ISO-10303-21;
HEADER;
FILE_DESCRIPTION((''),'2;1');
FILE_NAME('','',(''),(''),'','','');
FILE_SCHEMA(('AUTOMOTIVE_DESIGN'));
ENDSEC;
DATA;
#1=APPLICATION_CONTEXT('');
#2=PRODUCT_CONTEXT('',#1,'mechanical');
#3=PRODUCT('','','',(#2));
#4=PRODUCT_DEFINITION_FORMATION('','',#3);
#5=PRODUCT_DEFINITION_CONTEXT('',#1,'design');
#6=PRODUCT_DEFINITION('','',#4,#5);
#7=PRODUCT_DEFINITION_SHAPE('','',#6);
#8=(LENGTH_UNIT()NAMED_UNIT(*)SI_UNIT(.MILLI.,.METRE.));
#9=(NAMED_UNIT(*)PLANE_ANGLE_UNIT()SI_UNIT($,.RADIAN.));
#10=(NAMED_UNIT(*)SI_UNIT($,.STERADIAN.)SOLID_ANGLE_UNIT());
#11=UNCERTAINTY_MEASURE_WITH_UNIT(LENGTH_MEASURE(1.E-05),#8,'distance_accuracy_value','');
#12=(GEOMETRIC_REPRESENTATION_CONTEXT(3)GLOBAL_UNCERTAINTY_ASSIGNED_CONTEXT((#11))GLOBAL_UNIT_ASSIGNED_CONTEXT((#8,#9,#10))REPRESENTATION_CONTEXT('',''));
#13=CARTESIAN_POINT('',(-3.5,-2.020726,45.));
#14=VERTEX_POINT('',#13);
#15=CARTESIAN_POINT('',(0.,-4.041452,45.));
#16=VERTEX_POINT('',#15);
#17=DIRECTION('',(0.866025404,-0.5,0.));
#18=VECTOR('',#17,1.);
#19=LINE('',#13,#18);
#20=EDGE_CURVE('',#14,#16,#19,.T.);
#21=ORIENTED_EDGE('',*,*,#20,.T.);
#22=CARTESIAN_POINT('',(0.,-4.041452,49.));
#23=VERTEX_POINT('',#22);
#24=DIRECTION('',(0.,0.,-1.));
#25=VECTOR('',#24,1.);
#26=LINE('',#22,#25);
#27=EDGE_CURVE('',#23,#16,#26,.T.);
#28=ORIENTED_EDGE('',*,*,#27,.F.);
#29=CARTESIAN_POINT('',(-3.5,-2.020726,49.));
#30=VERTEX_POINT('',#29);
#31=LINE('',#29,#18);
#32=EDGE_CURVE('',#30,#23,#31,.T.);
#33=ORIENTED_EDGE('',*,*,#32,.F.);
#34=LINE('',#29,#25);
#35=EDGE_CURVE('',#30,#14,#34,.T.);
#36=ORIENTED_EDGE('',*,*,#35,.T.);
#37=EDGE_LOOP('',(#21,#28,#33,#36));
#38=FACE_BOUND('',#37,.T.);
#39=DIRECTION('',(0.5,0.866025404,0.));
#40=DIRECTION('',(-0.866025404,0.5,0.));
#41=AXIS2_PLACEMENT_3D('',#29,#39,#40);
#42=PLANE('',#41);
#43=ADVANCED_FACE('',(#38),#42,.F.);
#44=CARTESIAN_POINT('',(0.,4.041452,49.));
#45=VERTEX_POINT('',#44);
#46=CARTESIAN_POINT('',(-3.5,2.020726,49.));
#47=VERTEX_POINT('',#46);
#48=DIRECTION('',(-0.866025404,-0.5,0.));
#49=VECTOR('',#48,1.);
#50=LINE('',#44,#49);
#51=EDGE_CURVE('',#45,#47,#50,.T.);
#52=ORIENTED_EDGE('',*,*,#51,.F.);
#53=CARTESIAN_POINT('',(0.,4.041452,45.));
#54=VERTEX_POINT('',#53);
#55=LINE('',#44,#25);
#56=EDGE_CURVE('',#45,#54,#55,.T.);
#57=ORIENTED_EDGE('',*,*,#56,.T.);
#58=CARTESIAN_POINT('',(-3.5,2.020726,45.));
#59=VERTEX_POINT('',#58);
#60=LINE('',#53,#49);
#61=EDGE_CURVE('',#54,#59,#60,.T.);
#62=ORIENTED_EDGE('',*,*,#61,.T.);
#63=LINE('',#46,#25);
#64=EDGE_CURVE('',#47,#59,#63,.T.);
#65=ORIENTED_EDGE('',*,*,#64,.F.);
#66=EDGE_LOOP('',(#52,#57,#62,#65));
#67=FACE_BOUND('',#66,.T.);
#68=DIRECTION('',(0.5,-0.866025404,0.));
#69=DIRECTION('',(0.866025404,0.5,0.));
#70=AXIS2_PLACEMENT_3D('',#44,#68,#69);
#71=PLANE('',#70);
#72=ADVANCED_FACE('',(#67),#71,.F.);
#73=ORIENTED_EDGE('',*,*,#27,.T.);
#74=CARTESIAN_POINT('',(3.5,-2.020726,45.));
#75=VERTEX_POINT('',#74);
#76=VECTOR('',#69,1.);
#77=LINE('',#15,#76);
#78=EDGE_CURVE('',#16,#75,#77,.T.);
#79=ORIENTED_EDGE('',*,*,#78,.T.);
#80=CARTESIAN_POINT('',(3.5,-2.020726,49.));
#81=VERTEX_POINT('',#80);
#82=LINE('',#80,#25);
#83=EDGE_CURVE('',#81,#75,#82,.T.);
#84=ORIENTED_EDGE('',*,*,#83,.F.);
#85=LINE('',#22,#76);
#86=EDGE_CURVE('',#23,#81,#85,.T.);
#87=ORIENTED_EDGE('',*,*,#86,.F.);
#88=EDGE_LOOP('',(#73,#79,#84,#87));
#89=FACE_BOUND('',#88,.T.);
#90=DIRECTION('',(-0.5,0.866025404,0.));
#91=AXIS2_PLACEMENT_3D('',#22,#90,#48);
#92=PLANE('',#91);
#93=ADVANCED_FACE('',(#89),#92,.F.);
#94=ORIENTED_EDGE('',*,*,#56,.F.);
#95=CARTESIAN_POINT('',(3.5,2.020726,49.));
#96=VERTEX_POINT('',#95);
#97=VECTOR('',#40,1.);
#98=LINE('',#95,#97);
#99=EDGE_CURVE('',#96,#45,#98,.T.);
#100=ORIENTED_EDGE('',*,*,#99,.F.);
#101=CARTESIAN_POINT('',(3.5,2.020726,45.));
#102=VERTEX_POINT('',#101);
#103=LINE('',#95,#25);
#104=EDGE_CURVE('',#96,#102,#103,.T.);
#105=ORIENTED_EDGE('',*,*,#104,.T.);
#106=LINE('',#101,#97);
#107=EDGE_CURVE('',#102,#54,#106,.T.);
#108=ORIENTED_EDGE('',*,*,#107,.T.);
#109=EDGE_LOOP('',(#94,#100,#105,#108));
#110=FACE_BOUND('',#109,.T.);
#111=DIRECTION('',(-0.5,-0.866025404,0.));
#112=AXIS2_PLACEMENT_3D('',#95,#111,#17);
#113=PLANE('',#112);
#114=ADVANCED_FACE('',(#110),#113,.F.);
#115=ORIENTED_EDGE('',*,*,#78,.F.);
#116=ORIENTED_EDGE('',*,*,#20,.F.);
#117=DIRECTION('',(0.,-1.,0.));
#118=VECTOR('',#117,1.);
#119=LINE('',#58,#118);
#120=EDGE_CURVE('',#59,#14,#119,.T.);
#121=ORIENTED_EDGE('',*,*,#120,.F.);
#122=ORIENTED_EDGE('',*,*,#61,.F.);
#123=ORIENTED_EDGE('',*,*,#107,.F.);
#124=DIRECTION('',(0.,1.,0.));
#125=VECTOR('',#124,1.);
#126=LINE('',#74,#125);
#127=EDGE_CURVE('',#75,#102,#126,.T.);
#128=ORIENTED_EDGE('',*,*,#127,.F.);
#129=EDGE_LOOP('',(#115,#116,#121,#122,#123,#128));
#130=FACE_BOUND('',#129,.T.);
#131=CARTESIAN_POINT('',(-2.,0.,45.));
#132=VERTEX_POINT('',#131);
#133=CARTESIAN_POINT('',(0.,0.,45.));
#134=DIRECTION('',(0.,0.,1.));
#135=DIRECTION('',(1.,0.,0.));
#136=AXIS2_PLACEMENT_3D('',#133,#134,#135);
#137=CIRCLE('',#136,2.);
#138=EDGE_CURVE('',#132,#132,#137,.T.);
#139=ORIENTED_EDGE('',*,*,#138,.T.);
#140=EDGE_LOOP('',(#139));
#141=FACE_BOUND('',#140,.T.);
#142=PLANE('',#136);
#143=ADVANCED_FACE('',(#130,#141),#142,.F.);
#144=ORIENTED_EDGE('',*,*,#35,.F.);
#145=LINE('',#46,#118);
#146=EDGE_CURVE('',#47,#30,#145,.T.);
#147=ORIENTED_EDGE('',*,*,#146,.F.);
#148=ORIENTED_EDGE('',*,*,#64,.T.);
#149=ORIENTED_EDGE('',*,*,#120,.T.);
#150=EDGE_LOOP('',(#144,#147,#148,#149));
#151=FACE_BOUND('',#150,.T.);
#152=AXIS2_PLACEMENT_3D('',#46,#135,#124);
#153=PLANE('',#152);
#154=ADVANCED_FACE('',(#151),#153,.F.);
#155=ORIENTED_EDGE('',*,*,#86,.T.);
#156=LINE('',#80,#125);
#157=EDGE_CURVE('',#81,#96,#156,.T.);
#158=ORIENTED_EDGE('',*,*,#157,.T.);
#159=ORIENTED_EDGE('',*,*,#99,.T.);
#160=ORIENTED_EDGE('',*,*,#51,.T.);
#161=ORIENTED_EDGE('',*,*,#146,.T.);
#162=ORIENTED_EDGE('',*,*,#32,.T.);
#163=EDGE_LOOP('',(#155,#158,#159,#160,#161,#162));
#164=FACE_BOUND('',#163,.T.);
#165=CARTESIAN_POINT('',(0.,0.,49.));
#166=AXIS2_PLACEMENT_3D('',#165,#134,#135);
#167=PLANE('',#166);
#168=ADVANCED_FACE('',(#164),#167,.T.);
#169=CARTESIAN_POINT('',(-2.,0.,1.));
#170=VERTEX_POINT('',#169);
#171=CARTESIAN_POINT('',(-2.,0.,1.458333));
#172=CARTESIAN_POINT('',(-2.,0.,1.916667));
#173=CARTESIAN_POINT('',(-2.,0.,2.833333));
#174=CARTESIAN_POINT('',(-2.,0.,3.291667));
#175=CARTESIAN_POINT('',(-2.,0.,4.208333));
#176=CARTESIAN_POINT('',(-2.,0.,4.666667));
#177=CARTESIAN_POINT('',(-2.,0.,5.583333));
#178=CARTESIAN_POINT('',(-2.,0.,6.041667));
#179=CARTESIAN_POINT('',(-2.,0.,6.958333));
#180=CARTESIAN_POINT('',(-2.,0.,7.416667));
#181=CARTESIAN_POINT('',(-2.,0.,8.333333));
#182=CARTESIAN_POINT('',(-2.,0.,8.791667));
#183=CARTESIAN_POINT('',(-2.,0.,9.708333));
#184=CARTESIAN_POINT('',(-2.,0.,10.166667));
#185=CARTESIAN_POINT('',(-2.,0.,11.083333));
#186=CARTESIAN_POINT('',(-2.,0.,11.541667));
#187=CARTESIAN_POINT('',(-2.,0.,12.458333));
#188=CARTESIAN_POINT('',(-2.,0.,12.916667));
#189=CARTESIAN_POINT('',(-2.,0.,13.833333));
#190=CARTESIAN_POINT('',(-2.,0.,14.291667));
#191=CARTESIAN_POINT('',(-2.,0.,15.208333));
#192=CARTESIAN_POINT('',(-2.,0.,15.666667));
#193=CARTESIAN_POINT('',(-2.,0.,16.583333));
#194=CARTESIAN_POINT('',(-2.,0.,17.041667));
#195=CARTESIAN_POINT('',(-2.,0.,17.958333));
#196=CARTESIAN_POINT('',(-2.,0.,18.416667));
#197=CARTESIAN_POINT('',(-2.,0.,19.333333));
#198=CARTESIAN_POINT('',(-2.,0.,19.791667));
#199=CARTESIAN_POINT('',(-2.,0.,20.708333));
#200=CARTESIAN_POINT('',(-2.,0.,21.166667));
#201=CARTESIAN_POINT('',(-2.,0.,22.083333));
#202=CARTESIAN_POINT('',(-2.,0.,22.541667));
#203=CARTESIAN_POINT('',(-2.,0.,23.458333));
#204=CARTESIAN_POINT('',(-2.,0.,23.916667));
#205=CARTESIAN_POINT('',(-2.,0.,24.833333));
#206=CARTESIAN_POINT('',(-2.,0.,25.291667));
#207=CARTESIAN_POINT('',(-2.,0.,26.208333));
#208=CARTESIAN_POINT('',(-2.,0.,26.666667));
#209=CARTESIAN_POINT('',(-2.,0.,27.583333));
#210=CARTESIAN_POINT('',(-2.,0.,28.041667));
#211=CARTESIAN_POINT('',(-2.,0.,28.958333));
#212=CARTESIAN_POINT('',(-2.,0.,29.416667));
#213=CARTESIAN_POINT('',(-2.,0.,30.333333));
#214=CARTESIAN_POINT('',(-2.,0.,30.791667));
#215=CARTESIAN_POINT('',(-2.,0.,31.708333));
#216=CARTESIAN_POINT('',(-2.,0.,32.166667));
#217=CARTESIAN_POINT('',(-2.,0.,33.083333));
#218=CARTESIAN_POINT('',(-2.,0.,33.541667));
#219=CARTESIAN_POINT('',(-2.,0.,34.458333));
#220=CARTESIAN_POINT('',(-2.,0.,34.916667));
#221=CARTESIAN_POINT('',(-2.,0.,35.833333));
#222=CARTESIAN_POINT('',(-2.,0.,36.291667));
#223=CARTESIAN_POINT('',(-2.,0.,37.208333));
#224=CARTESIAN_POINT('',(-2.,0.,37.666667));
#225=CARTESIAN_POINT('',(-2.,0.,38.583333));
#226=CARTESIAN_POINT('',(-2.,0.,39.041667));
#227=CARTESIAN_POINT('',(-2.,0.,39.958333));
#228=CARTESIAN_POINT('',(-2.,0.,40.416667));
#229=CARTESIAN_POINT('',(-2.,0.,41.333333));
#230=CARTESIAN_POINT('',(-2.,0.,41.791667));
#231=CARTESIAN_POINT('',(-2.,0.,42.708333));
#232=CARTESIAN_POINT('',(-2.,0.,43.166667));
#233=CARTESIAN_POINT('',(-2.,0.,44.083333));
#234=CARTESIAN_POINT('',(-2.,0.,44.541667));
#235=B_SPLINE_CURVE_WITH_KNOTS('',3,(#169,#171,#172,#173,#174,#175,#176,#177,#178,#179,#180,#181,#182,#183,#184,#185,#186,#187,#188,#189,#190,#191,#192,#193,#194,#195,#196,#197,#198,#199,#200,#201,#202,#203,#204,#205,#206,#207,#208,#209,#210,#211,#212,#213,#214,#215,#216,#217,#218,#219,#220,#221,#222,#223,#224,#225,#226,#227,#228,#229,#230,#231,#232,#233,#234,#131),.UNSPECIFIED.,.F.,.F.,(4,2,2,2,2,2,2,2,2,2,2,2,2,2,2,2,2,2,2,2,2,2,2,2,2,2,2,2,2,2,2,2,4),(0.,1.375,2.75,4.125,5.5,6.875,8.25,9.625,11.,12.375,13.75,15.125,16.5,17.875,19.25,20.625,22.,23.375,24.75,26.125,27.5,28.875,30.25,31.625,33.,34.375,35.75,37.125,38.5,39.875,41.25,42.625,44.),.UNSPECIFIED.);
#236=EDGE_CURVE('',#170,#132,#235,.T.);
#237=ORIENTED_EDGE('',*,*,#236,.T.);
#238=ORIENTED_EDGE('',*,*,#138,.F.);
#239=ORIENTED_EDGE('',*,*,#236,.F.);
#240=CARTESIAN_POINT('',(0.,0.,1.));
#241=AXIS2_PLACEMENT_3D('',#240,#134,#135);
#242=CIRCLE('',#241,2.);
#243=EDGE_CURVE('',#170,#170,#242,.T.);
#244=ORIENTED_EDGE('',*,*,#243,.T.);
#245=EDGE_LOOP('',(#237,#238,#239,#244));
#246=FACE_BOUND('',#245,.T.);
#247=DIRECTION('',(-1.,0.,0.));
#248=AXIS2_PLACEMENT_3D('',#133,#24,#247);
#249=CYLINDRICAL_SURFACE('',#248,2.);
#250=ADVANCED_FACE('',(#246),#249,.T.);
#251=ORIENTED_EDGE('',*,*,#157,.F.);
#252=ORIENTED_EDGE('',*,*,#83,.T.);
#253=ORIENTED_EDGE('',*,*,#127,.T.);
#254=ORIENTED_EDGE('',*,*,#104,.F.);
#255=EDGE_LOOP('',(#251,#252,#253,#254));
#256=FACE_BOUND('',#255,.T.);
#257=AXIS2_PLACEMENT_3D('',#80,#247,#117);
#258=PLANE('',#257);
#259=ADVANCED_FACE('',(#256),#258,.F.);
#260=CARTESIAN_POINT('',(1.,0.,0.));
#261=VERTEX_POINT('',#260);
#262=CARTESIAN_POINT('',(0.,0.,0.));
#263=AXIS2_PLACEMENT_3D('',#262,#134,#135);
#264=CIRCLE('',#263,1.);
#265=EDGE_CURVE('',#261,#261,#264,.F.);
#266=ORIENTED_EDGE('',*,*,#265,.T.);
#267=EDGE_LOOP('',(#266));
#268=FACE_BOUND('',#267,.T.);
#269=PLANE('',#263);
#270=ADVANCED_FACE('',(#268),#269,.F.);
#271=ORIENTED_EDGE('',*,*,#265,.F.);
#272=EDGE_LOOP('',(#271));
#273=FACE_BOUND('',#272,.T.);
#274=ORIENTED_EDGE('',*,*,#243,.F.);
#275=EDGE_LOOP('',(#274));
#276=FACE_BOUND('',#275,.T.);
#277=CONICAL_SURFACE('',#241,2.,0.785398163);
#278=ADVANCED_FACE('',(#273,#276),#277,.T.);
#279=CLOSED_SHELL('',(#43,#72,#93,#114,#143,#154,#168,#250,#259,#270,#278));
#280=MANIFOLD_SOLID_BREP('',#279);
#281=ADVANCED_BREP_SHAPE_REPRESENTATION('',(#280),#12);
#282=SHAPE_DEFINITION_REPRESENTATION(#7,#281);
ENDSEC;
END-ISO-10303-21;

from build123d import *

# Parameters (mm, degrees)
SKETCH1_R         = 2
EXTRUDE_311_DEPTH = 45
EXTRUDE_445_DEPTH = 4
CHAMFER1_SIZE     = 1


with BuildPart() as part:
    # Sketch1 → Extrude 311 (new body)
    with BuildSketch(Plane.XY):
        with Locations(Location((0, 0, 0), (0, 0, 180))):
            Circle(SKETCH1_R)
    extrude(amount=EXTRUDE_311_DEPTH)

    # Sketch2 → Extrude 445 (add)
    with BuildSketch(Plane.XY.offset(45)):
        Polygon((0, 4.041451884), (-3.5, 2.020725942), (-3.5, -2.020725942), (0, -4.041451884), (3.5, -2.020725942), (3.5, 2.020725942), align=None)
    extrude(amount=EXTRUDE_445_DEPTH)

    # Chamfer1
    chamfer1_edges = [part.edges().sort_by_distance(p)[0] for p in [
        (2, 0, 0),
    ]]
    chamfer(chamfer1_edges, length=CHAMFER1_SIZE)


solid = part.part
